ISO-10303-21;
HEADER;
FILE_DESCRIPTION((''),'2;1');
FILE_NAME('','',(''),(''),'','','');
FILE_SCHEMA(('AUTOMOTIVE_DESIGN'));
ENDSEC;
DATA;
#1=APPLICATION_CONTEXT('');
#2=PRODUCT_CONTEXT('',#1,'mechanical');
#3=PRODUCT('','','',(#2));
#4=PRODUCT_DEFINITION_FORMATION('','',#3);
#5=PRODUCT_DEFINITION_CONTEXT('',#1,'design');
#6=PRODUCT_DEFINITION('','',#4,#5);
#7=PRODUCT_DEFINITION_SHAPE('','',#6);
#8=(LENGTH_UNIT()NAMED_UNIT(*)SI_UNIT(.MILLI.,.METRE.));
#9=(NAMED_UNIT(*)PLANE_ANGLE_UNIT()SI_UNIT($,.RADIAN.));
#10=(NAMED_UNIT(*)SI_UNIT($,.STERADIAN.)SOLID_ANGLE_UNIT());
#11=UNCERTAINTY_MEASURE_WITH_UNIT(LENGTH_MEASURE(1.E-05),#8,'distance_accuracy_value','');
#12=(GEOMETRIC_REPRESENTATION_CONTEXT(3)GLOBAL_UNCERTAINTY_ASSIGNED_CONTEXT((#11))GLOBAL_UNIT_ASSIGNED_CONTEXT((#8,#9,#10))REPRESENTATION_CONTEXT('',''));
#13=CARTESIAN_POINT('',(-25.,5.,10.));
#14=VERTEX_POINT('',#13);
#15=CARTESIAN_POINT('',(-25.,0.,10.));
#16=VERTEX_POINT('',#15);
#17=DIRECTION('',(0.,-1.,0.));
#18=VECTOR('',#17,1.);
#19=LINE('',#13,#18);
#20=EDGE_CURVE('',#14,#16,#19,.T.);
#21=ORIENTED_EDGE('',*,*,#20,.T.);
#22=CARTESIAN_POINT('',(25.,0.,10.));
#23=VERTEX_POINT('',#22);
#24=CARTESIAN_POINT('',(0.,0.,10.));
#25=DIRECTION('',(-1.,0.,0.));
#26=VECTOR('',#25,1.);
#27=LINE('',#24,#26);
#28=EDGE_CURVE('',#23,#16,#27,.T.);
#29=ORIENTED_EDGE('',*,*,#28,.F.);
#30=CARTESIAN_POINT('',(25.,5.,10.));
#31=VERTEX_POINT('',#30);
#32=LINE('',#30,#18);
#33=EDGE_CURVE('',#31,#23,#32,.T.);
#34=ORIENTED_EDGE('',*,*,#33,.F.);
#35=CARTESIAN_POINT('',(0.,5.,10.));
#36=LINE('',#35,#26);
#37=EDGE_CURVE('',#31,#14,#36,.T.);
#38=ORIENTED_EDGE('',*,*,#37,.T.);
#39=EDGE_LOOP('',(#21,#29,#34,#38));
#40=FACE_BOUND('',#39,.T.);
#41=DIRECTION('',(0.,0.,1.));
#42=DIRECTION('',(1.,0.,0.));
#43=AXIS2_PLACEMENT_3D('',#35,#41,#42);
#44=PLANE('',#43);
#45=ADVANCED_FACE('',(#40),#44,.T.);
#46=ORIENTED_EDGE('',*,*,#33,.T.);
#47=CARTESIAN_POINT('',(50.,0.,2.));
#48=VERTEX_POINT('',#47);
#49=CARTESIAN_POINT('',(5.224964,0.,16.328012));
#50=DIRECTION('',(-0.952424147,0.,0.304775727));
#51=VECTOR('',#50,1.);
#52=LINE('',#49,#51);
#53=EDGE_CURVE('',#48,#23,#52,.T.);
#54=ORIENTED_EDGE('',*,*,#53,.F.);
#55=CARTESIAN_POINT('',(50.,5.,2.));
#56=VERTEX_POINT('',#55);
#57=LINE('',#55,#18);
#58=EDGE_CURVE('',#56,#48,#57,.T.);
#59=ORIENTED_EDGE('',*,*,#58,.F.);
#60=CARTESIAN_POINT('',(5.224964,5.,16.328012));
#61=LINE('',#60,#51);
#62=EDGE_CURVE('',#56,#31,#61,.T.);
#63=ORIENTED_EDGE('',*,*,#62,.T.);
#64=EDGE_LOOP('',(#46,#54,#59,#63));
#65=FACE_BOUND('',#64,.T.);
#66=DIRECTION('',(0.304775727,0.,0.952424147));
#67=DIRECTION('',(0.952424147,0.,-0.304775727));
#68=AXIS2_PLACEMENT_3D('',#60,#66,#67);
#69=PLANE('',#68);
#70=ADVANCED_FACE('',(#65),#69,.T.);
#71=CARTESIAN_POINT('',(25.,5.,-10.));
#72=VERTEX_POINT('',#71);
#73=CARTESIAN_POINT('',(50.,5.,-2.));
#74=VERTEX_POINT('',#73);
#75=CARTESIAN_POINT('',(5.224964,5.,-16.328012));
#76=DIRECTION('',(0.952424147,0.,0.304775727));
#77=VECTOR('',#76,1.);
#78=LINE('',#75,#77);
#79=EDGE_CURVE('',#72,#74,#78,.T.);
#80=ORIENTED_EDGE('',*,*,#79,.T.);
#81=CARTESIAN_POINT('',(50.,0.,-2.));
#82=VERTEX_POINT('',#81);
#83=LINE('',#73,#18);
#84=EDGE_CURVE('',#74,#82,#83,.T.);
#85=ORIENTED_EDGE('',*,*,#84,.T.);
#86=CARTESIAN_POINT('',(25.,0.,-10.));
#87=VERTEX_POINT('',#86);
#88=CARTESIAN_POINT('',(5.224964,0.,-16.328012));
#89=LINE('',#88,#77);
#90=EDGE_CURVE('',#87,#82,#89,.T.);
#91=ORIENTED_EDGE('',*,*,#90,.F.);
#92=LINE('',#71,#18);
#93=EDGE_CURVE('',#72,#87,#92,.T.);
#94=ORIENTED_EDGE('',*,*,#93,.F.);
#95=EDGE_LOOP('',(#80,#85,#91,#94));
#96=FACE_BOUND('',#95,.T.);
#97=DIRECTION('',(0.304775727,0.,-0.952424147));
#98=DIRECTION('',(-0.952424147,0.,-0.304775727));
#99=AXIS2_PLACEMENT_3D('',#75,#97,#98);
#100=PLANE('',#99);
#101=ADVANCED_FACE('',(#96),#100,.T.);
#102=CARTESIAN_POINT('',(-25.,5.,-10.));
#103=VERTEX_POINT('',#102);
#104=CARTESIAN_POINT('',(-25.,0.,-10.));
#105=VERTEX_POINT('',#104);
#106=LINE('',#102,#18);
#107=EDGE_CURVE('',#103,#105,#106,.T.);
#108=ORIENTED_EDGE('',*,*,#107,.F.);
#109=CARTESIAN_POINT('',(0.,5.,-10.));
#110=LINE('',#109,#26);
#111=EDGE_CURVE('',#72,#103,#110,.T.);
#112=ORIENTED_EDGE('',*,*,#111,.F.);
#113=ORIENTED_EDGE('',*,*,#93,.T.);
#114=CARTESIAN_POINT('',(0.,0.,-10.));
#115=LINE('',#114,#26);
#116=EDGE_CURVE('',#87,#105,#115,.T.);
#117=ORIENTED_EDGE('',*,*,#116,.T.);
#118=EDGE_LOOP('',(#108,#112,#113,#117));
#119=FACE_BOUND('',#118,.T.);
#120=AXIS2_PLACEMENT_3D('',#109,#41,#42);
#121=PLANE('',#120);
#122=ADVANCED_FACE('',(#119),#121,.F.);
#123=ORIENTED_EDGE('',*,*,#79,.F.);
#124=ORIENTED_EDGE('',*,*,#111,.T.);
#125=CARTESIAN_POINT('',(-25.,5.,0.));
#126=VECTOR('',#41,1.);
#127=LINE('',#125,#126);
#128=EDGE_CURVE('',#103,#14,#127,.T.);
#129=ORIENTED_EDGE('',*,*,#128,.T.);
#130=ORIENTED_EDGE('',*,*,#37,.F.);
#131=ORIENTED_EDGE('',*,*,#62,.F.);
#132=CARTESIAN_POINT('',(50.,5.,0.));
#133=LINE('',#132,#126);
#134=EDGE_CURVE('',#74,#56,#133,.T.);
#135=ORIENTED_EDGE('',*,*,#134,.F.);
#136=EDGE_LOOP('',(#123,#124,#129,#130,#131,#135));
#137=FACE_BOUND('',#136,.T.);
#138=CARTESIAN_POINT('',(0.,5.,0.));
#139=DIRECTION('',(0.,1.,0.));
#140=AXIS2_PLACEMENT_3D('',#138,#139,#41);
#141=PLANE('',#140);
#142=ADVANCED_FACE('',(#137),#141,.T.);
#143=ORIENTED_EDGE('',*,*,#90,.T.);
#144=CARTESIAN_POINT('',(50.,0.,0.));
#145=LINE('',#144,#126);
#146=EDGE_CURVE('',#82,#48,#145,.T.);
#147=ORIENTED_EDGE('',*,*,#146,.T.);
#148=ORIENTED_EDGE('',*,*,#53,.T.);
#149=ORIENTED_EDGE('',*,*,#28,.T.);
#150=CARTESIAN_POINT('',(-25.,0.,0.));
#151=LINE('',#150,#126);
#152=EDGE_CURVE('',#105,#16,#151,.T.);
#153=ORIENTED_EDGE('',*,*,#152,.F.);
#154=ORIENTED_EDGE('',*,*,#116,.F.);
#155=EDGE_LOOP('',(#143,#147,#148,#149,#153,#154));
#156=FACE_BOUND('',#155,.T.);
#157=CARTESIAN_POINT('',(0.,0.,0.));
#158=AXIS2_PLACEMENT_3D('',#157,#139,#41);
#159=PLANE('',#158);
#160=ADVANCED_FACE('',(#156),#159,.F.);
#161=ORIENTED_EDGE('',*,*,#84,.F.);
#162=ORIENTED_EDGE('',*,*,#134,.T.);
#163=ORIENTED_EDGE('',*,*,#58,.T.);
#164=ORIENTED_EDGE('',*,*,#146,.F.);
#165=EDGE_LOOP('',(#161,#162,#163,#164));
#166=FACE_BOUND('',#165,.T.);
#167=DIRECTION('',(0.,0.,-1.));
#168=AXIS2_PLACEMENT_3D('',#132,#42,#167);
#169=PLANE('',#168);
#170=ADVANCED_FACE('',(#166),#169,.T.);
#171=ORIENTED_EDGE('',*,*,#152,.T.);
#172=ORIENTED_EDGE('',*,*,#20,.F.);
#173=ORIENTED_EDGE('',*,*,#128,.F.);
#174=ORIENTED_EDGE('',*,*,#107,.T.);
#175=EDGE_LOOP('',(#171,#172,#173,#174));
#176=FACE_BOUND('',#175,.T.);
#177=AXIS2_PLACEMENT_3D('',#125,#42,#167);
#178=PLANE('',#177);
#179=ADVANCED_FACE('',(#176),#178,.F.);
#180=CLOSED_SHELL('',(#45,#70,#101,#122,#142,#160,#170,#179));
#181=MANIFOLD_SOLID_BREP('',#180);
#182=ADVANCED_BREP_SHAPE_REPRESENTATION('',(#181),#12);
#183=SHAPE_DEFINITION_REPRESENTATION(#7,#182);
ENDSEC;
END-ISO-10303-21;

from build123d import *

# Parameters (mm, degrees)
CROQUIS1_W              = 50
CROQUIS1_H              = 20
SALIENTE_EXTRUIR1_DEPTH = 5


with BuildPart() as part:
    # Croquis1 → Saliente-Extruir1 (new body)
    with BuildSketch(Plane(origin=(0, 0, 0), x_dir=(1, 0, 0), z_dir=(0, 1, 0))):
        Rectangle(CROQUIS1_W, CROQUIS1_H)
        Polygon((25, 10), (50, 2), (50, 0), (50, -2), (25, -10), align=None)
    extrude(amount=SALIENTE_EXTRUIR1_DEPTH)


solid = part.part
